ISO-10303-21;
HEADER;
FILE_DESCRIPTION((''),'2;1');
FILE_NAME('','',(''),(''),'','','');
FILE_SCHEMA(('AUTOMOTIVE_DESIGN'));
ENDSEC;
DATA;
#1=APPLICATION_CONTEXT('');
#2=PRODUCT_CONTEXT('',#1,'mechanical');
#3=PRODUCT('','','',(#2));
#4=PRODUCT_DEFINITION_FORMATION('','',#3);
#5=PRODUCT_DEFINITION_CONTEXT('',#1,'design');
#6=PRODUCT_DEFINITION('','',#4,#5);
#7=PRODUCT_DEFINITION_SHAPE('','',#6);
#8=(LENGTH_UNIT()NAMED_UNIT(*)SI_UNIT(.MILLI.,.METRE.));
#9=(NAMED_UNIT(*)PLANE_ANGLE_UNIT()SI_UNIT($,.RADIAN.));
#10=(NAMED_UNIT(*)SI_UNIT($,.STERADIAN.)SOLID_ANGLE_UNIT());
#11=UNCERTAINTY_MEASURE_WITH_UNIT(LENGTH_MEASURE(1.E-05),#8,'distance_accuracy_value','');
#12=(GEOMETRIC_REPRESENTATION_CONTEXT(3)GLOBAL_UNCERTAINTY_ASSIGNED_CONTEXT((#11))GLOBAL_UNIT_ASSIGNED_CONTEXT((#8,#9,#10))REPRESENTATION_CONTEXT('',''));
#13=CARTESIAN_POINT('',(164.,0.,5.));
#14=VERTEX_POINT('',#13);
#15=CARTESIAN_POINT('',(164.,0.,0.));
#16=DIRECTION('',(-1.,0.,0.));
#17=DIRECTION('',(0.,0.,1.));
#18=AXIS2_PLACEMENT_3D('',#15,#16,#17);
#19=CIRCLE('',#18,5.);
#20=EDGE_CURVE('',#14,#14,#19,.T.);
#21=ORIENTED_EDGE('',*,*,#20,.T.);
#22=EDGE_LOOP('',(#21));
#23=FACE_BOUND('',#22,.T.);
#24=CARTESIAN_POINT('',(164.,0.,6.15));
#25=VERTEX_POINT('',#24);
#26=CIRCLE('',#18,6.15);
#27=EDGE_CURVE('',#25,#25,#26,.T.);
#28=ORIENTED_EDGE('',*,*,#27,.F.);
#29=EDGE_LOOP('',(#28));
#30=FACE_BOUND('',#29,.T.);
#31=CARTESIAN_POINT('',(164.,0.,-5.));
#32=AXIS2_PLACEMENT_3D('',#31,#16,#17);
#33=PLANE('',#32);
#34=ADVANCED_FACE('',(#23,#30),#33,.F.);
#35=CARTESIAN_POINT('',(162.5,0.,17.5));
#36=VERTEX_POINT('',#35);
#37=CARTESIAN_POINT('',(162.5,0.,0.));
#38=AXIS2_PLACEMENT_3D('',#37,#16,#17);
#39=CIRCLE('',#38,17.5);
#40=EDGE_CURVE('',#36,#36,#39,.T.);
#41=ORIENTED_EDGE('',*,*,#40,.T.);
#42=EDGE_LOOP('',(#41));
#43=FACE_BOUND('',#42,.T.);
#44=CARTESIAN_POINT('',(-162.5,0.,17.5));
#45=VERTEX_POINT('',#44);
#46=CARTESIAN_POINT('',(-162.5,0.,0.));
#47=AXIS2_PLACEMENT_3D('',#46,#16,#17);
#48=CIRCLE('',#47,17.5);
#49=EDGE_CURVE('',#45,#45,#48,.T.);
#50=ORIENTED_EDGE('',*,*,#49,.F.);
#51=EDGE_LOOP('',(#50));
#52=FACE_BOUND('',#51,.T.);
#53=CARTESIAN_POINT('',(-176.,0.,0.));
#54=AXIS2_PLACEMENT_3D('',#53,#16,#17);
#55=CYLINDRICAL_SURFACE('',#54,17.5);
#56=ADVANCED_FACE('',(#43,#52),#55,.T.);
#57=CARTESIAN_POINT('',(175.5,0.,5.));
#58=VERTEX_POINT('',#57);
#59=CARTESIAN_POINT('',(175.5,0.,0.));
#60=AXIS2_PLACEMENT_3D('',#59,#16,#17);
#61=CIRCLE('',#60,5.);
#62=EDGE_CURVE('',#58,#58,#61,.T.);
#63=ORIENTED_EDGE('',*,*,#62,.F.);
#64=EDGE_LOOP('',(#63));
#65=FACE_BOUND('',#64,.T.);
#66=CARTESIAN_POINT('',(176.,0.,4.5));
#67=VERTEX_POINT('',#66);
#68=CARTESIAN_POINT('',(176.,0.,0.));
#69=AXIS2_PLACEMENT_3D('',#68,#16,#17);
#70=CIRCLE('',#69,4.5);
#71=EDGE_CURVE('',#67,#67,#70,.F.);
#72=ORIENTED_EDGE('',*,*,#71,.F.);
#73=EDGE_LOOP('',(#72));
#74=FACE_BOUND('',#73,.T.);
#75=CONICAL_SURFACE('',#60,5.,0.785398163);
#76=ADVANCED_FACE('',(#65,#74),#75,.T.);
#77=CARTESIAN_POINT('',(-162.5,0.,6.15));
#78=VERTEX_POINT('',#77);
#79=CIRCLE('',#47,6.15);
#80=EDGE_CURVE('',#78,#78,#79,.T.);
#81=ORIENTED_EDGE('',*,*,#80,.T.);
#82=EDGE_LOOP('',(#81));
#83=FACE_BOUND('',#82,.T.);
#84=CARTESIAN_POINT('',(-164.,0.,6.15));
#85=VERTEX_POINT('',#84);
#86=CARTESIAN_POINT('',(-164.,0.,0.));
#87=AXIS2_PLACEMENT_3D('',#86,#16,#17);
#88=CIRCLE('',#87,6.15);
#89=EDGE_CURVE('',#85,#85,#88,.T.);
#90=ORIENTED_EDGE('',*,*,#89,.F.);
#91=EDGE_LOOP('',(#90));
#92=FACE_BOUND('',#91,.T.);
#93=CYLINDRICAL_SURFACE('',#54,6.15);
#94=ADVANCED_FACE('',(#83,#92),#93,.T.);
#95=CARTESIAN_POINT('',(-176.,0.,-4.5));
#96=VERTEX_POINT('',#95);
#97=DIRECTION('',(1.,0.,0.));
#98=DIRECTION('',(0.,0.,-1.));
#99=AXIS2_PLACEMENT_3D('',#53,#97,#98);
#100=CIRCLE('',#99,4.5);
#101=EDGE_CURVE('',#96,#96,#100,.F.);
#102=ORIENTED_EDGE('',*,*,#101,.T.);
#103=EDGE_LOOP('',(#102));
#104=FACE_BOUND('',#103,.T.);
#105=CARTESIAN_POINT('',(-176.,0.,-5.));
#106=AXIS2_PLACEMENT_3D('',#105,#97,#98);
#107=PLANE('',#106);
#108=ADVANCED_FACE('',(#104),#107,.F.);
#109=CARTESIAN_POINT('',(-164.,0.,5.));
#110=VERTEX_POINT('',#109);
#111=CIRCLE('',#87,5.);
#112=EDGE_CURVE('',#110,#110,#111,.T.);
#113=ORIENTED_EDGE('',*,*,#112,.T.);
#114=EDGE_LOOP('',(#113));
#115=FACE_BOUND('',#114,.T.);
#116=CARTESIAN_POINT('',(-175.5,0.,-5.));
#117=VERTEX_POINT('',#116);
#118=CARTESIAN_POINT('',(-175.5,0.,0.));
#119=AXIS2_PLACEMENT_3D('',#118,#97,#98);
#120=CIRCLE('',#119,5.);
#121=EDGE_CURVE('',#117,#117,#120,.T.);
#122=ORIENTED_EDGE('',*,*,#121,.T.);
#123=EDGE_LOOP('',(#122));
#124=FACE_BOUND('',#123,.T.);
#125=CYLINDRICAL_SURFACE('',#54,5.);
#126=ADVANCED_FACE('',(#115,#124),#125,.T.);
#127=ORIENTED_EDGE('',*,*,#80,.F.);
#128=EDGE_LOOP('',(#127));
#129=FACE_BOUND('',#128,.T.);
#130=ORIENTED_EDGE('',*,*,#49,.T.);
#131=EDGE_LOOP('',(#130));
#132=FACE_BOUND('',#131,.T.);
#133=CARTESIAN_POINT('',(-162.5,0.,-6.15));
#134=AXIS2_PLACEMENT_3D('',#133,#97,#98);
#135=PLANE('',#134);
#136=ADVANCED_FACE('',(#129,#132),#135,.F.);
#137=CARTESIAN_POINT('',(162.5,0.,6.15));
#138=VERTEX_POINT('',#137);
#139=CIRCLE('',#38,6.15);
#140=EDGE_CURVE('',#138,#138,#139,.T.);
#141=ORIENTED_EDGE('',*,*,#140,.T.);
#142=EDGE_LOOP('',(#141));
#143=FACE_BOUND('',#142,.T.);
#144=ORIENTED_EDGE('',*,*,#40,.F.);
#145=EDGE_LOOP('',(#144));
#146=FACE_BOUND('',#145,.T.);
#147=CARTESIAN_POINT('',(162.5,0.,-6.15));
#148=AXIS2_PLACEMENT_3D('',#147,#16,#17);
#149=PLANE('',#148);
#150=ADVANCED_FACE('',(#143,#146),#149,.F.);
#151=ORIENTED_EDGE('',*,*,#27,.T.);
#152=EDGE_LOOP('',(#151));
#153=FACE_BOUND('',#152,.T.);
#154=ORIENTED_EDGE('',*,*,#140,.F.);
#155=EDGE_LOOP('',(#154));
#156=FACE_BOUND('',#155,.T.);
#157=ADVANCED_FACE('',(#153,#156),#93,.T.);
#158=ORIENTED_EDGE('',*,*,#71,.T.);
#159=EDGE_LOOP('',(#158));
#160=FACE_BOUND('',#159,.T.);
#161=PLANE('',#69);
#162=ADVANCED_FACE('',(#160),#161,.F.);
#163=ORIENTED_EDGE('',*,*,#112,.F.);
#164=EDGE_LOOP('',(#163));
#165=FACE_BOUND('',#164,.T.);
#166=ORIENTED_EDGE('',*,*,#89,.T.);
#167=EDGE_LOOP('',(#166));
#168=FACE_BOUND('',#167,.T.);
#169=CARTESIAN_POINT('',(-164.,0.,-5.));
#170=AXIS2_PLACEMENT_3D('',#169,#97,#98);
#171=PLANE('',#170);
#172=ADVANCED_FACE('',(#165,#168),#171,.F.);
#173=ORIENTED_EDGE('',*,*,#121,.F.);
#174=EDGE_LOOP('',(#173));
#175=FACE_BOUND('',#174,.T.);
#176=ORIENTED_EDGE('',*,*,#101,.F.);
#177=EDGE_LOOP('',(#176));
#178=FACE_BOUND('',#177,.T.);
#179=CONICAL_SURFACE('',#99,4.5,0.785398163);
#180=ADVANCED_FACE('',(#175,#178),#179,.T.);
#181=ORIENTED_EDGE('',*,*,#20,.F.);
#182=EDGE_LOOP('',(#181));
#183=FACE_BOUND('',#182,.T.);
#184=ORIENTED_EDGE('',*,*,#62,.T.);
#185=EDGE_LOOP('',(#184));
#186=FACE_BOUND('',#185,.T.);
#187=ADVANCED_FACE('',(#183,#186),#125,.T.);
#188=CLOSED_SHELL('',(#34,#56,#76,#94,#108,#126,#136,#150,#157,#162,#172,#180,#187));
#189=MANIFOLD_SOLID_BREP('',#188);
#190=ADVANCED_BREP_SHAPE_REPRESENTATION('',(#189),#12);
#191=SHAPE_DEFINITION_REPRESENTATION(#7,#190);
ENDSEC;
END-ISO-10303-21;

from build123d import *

# Parameters (mm, degrees)
CHAMFER_1_SIZE = 0.5


with BuildPart() as part:
    # 草图1 → 旋转1 (revolve)
    with BuildSketch(Plane(origin=(0, 0, 0), x_dir=(1, 0, 0), z_dir=(0, 1, 0)), mode=Mode.PRIVATE) as revolve_1_sk:
        Polygon((-176, 0), (176, 0), (176, 5), (164, 5), (164, 6.15), (162.5, 6.15), (162.5, 17.5), (-162.5, 17.5), (-162.5, 6.15), (-164, 6.15), (-164, 5), (-176, 5), align=None)
    revolve(revolve_1_sk.sketch.rotate(Axis((-176, 0, 0), (1, 0, 0)), 180), axis=Axis((-176, 0, 0), (1, 0, 0)))

    # 倒角1
    chamfer_1_edges = [part.edges().sort_by_distance(p)[0] for p in [
        (176, 0, -5),
        (-176, 0, -5),
    ]]
    chamfer(chamfer_1_edges, length=CHAMFER_1_SIZE)


solid = part.part
